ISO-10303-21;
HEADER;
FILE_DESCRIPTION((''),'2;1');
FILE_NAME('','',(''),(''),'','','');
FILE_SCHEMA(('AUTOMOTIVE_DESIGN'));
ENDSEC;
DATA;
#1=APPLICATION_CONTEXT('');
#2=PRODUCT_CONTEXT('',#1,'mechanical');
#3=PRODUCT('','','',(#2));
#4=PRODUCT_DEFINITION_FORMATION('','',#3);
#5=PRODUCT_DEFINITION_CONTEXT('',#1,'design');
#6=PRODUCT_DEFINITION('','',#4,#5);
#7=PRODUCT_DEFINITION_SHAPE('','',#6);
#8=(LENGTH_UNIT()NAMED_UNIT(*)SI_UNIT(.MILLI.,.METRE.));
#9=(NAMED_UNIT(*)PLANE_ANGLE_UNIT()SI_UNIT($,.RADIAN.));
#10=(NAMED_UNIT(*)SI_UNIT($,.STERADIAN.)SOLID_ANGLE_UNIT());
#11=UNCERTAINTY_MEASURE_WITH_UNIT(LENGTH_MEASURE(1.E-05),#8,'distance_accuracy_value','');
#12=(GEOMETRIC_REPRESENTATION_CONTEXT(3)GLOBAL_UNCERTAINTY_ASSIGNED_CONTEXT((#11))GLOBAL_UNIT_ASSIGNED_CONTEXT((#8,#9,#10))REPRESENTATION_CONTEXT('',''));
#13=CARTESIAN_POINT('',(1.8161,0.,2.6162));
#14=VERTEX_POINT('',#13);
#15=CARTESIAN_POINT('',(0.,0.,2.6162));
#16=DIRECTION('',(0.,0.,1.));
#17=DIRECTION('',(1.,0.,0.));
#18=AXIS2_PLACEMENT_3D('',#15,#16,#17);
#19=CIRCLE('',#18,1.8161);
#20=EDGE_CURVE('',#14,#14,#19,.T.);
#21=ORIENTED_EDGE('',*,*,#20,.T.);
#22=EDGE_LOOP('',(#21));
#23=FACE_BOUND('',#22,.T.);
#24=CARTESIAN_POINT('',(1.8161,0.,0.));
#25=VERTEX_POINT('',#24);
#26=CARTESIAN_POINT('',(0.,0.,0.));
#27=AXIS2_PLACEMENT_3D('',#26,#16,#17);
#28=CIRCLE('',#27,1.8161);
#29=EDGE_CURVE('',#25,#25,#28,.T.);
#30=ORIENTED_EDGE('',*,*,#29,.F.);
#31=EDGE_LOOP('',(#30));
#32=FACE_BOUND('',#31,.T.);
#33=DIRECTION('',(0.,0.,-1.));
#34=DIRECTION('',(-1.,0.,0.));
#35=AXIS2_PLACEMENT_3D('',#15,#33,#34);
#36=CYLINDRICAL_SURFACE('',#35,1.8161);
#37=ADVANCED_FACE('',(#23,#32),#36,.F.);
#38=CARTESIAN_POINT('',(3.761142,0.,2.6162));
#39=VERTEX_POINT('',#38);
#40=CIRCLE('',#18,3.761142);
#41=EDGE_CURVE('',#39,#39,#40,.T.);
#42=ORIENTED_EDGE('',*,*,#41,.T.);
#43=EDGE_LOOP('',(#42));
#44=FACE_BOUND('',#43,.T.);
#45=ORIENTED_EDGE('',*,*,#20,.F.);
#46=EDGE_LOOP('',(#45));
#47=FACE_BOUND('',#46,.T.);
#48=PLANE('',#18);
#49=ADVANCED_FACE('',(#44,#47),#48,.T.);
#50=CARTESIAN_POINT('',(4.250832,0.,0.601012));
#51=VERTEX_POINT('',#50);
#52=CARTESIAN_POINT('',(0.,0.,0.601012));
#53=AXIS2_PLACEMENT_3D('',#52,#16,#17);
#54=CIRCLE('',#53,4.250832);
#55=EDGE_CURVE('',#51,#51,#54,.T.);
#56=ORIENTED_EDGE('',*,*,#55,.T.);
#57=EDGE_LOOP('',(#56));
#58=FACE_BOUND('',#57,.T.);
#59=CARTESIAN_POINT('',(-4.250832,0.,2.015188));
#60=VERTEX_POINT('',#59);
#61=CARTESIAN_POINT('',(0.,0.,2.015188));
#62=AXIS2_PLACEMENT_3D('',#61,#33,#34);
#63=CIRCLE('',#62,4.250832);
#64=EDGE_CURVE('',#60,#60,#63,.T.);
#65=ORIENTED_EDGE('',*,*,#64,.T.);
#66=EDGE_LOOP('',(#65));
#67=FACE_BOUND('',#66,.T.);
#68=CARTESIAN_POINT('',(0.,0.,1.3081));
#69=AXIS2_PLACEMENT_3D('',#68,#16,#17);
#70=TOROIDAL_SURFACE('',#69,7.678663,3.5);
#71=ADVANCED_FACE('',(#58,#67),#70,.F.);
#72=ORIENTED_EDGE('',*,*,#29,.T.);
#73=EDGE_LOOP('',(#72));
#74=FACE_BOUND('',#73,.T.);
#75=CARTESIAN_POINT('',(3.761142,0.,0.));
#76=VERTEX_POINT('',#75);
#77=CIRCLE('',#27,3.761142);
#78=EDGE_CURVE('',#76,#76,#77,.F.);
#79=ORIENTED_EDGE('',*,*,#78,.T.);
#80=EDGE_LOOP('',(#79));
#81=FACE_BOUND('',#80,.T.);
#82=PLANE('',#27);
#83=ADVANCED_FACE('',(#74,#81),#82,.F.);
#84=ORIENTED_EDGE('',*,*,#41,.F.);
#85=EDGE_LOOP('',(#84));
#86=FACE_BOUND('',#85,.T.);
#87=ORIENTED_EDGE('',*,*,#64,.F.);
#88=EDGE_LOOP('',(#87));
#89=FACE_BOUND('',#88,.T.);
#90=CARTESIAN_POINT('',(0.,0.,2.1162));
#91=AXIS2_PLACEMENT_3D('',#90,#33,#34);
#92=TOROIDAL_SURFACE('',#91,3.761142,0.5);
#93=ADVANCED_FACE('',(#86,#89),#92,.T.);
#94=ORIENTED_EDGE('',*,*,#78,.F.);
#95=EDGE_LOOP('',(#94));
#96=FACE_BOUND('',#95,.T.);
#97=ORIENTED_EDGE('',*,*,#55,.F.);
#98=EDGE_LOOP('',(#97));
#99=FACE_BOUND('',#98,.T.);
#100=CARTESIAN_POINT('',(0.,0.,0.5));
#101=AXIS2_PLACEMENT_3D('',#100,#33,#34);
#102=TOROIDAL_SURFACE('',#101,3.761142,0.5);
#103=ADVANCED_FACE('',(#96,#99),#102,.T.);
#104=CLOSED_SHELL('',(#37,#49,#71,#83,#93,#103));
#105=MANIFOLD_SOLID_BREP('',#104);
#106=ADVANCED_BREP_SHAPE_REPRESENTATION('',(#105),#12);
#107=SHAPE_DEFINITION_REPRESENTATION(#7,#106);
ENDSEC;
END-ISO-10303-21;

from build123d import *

# Parameters (mm, degrees)
SKETCH1_R           = 4.4323
SKETCH1_R_2         = 1.8161
BOSS_EXTRUDE1_DEPTH = 2.6162
FILLET1_R           = 0.5


with BuildPart() as part:
    # Sketch1 → Boss-Extrude1 (new body)
    with BuildSketch(Plane.XY):
        Circle(SKETCH1_R)
        Circle(SKETCH1_R_2, mode=Mode.SUBTRACT)
    extrude(amount=BOSS_EXTRUDE1_DEPTH)

    # Sketch2 → Cut-Revolve1 (revolve, cut)
    with BuildSketch(Plane(origin=(0, 0, 0), x_dir=(0, 0, -1), z_dir=(1, 0, 0)), mode=Mode.PRIVATE) as cut_revolve1_sk:
        with BuildLine():
            Line((-2.6162, 4.4323), (0, 4.4323))
            ThreePointArc((0, 4.4323), (-1.3081, 4.178663256), (-2.6162, 4.4323))
        make_face()
    revolve(cut_revolve1_sk.sketch.rotate(Axis((0, 0, 2.6162), (0, 0, -1)), 90), axis=Axis((0, 0, 2.6162), (0, 0, -1)), mode=Mode.SUBTRACT)

    # Fillet1
    fillet1_edges = [part.edges().sort_by_distance(p)[0] for p in [
        (-4.4323, 0, 2.6162),
        (-4.4323, 0, 0),
    ]]
    fillet(fillet1_edges, radius=FILLET1_R)


solid = part.part
